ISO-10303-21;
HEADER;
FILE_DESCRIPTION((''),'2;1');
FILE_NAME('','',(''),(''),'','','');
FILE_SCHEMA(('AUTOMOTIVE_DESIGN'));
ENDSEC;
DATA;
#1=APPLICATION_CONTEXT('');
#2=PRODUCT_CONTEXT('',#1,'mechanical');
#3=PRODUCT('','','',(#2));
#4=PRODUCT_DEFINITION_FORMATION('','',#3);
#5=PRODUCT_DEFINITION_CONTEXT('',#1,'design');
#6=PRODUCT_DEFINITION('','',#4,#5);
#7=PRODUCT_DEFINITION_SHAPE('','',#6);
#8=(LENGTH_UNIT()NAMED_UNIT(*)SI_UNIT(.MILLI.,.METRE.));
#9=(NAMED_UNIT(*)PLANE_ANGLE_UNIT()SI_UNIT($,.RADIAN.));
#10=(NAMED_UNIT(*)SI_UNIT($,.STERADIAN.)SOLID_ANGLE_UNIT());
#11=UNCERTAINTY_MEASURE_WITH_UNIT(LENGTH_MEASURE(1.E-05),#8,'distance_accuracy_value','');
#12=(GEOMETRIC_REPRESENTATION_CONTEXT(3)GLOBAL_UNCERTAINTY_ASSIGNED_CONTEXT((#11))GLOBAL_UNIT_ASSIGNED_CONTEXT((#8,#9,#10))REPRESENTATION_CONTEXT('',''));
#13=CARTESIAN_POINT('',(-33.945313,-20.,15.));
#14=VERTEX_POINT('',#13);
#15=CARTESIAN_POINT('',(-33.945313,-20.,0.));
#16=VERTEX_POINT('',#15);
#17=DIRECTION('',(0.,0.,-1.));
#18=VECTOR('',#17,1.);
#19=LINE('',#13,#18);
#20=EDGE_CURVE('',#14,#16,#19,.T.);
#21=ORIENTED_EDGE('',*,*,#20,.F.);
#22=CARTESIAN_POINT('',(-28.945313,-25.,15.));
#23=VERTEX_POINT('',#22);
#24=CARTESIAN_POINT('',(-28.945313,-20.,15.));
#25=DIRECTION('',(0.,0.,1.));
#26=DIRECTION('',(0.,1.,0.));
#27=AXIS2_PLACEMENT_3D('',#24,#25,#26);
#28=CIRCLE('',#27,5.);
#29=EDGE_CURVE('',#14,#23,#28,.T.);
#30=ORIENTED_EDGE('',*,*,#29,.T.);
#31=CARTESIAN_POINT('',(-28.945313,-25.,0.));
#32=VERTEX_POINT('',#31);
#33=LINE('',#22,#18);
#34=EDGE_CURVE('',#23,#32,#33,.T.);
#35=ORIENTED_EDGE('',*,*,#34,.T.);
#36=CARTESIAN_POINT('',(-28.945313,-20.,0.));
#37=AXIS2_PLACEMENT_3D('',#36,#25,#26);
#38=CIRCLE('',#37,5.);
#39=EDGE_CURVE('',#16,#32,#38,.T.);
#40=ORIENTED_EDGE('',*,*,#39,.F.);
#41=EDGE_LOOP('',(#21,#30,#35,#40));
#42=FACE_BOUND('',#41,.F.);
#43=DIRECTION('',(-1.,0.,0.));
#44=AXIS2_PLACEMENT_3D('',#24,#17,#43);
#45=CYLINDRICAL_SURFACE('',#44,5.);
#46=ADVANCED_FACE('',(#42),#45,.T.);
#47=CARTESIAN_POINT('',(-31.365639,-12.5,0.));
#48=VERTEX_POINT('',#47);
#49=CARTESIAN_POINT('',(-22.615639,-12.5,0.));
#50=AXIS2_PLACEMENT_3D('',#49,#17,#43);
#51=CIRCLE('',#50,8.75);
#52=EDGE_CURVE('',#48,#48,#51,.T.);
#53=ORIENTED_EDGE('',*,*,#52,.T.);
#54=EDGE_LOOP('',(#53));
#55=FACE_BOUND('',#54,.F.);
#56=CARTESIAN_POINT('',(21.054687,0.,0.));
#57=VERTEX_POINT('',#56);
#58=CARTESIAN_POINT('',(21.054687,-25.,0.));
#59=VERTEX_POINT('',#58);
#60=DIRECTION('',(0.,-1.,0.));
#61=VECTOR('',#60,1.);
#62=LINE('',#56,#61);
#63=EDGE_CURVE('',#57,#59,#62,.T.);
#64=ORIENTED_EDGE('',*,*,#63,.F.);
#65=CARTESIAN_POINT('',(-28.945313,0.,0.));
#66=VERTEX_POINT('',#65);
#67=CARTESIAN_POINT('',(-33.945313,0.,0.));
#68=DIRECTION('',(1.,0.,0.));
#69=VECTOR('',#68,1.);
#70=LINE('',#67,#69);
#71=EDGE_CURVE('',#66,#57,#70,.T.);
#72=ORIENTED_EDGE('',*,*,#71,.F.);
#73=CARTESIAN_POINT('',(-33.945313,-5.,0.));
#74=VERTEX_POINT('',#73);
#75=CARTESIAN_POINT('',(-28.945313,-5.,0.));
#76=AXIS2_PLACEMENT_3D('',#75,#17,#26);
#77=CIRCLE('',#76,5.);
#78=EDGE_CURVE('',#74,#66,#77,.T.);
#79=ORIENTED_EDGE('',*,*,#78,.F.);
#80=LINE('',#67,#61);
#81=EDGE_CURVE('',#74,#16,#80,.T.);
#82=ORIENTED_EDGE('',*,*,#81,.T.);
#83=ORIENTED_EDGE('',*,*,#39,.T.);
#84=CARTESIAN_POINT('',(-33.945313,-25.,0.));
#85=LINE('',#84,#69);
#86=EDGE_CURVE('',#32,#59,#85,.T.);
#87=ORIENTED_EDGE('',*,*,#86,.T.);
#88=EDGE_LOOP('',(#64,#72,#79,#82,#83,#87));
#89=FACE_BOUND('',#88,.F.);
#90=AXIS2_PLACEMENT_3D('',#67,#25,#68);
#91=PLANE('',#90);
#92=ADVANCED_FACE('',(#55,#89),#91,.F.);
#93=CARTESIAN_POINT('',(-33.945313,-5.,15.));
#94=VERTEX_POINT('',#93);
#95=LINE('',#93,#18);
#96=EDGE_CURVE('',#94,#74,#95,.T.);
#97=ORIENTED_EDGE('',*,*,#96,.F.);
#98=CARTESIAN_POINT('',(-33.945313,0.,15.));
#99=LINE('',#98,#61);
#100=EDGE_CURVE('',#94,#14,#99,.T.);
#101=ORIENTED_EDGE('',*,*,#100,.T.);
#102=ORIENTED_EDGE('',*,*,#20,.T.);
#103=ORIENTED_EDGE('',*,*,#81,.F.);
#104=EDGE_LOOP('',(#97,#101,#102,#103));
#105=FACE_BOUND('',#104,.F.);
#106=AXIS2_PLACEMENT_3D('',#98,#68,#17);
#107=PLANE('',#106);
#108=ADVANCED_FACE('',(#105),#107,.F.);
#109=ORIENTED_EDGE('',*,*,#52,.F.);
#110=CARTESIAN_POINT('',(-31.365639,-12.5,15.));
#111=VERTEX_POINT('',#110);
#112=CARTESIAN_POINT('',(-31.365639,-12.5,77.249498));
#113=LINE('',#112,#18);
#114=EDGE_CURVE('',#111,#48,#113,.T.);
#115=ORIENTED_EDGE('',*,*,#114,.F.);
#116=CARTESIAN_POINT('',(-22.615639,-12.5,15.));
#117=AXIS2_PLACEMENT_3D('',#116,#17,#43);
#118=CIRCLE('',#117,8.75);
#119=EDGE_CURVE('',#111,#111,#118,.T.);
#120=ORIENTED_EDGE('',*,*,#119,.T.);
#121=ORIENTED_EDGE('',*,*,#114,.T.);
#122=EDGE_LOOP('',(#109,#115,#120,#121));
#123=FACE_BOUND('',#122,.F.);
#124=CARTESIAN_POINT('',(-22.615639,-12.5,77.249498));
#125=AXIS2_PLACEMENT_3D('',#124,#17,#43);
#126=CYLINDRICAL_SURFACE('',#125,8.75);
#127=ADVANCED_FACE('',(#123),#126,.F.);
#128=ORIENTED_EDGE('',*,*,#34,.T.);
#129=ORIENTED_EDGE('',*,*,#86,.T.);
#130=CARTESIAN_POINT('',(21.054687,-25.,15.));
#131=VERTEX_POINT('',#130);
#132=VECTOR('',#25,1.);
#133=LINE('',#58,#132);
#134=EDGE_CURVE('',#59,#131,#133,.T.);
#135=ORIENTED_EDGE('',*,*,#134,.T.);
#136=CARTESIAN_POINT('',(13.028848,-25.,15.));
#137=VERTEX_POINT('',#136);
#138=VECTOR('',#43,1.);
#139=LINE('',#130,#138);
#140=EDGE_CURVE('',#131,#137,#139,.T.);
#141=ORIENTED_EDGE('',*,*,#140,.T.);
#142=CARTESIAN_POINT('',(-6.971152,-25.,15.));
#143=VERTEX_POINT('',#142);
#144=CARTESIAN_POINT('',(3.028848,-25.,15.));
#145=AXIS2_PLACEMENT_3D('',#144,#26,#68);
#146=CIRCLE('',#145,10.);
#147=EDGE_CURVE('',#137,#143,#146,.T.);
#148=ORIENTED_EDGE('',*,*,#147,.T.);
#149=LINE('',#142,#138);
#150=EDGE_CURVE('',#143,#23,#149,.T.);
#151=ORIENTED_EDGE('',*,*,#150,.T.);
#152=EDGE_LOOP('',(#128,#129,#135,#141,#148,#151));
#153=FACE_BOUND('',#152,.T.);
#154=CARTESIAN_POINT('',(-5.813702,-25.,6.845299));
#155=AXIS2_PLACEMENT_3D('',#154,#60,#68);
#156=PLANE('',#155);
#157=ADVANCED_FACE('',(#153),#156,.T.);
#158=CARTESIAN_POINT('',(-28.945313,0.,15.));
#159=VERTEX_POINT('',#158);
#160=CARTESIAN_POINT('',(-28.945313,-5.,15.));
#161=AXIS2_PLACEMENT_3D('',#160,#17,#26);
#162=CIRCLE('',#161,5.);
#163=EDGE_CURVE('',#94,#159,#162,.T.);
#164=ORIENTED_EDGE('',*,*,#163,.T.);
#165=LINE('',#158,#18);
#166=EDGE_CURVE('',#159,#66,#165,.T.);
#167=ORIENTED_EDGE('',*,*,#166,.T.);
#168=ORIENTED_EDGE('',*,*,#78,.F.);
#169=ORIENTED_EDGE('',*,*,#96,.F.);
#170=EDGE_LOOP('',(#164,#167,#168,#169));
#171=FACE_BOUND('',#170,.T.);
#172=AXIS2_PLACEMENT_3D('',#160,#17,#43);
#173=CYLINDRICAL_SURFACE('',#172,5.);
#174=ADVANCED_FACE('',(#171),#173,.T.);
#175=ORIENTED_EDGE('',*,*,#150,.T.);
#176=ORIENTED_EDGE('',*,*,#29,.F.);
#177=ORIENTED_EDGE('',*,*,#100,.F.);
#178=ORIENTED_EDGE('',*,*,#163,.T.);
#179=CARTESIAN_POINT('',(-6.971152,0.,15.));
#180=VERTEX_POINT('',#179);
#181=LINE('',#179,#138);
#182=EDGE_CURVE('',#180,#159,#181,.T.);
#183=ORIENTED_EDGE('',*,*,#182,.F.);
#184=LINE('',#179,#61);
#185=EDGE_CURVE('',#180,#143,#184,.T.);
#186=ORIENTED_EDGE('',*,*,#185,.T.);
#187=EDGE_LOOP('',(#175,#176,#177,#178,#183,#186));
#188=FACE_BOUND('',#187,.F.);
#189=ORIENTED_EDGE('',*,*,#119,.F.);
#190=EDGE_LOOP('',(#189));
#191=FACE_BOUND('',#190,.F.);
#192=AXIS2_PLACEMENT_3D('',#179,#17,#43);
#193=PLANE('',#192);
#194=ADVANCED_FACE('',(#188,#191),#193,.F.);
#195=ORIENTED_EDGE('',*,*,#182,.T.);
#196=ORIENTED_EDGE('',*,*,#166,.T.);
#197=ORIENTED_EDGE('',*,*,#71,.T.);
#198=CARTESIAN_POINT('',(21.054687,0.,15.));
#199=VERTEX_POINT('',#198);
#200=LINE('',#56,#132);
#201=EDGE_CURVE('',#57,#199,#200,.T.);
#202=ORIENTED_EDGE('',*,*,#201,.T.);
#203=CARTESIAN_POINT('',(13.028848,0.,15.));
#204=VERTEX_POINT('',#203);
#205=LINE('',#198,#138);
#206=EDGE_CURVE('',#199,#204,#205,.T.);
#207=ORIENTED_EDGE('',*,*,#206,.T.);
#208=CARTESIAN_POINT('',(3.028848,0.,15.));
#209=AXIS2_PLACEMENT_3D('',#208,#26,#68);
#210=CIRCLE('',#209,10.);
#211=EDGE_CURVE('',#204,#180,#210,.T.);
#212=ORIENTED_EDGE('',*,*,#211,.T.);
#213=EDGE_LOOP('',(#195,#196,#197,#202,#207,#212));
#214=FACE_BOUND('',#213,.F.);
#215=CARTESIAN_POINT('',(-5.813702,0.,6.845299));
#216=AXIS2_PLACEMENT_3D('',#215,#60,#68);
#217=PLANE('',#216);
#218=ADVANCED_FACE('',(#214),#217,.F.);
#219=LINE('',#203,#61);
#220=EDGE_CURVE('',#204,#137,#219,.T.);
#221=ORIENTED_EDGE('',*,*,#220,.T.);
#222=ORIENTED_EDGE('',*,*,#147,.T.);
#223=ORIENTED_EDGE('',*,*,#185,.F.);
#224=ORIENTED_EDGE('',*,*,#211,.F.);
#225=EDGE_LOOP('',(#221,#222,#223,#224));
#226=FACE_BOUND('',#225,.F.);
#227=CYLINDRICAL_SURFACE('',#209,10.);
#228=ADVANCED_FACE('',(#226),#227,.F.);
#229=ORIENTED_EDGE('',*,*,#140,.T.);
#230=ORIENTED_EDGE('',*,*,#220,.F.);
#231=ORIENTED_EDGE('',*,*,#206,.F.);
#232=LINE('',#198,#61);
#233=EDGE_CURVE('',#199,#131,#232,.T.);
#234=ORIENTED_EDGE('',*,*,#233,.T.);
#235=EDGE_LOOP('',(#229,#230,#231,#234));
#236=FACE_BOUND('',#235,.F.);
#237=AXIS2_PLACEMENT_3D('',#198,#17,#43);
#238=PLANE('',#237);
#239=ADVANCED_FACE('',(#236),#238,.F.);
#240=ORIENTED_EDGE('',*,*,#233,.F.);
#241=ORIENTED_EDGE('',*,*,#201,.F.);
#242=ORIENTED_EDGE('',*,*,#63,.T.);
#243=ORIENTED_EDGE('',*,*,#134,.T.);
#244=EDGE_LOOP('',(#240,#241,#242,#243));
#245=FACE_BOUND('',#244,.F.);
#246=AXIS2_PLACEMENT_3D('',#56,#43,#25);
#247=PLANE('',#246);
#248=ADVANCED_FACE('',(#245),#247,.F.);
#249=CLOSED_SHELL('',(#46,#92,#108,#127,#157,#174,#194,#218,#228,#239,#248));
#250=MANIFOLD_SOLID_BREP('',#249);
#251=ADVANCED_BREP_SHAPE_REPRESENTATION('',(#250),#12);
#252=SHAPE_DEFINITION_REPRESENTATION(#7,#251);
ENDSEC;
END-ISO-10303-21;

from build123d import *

# Parameters (mm, degrees)
F1_DEPTH = 25
F2_R     = 5
F4_D     = 17.5


with BuildPart() as f1:
    # F0 (on Front) → F1 (new body)
    with BuildSketch(Plane.XZ):
        with BuildLine():
            Line((-33.945313, 0), (21.054687, 0))
            Line((21.054687, 0), (21.054687, 15))
            Line((21.054687, 15), (13.028848, 15))
            ThreePointArc((13.028848, 15), (3.028848, 5), (-6.971152, 15))
            Line((-6.971152, 15), (-33.945313, 15))
            Line((-33.945313, 15), (-33.945313, 0))
        make_face()
    extrude(amount=F1_DEPTH)

    # F2
    f2_edges = [f1.edges().sort_by_distance(p)[0] for p in [
        (-33.945313, -25, 7.5),
        (-33.945313, 0, 7.5),
    ]]
    fillet(f2_edges, radius=F2_R)

    # F4 (through all)
    with Locations(Plane.XY.offset(15)):
        with Locations((-22.615639, -12.5)):
            Hole(F4_D / 2)


solid = f1.part
